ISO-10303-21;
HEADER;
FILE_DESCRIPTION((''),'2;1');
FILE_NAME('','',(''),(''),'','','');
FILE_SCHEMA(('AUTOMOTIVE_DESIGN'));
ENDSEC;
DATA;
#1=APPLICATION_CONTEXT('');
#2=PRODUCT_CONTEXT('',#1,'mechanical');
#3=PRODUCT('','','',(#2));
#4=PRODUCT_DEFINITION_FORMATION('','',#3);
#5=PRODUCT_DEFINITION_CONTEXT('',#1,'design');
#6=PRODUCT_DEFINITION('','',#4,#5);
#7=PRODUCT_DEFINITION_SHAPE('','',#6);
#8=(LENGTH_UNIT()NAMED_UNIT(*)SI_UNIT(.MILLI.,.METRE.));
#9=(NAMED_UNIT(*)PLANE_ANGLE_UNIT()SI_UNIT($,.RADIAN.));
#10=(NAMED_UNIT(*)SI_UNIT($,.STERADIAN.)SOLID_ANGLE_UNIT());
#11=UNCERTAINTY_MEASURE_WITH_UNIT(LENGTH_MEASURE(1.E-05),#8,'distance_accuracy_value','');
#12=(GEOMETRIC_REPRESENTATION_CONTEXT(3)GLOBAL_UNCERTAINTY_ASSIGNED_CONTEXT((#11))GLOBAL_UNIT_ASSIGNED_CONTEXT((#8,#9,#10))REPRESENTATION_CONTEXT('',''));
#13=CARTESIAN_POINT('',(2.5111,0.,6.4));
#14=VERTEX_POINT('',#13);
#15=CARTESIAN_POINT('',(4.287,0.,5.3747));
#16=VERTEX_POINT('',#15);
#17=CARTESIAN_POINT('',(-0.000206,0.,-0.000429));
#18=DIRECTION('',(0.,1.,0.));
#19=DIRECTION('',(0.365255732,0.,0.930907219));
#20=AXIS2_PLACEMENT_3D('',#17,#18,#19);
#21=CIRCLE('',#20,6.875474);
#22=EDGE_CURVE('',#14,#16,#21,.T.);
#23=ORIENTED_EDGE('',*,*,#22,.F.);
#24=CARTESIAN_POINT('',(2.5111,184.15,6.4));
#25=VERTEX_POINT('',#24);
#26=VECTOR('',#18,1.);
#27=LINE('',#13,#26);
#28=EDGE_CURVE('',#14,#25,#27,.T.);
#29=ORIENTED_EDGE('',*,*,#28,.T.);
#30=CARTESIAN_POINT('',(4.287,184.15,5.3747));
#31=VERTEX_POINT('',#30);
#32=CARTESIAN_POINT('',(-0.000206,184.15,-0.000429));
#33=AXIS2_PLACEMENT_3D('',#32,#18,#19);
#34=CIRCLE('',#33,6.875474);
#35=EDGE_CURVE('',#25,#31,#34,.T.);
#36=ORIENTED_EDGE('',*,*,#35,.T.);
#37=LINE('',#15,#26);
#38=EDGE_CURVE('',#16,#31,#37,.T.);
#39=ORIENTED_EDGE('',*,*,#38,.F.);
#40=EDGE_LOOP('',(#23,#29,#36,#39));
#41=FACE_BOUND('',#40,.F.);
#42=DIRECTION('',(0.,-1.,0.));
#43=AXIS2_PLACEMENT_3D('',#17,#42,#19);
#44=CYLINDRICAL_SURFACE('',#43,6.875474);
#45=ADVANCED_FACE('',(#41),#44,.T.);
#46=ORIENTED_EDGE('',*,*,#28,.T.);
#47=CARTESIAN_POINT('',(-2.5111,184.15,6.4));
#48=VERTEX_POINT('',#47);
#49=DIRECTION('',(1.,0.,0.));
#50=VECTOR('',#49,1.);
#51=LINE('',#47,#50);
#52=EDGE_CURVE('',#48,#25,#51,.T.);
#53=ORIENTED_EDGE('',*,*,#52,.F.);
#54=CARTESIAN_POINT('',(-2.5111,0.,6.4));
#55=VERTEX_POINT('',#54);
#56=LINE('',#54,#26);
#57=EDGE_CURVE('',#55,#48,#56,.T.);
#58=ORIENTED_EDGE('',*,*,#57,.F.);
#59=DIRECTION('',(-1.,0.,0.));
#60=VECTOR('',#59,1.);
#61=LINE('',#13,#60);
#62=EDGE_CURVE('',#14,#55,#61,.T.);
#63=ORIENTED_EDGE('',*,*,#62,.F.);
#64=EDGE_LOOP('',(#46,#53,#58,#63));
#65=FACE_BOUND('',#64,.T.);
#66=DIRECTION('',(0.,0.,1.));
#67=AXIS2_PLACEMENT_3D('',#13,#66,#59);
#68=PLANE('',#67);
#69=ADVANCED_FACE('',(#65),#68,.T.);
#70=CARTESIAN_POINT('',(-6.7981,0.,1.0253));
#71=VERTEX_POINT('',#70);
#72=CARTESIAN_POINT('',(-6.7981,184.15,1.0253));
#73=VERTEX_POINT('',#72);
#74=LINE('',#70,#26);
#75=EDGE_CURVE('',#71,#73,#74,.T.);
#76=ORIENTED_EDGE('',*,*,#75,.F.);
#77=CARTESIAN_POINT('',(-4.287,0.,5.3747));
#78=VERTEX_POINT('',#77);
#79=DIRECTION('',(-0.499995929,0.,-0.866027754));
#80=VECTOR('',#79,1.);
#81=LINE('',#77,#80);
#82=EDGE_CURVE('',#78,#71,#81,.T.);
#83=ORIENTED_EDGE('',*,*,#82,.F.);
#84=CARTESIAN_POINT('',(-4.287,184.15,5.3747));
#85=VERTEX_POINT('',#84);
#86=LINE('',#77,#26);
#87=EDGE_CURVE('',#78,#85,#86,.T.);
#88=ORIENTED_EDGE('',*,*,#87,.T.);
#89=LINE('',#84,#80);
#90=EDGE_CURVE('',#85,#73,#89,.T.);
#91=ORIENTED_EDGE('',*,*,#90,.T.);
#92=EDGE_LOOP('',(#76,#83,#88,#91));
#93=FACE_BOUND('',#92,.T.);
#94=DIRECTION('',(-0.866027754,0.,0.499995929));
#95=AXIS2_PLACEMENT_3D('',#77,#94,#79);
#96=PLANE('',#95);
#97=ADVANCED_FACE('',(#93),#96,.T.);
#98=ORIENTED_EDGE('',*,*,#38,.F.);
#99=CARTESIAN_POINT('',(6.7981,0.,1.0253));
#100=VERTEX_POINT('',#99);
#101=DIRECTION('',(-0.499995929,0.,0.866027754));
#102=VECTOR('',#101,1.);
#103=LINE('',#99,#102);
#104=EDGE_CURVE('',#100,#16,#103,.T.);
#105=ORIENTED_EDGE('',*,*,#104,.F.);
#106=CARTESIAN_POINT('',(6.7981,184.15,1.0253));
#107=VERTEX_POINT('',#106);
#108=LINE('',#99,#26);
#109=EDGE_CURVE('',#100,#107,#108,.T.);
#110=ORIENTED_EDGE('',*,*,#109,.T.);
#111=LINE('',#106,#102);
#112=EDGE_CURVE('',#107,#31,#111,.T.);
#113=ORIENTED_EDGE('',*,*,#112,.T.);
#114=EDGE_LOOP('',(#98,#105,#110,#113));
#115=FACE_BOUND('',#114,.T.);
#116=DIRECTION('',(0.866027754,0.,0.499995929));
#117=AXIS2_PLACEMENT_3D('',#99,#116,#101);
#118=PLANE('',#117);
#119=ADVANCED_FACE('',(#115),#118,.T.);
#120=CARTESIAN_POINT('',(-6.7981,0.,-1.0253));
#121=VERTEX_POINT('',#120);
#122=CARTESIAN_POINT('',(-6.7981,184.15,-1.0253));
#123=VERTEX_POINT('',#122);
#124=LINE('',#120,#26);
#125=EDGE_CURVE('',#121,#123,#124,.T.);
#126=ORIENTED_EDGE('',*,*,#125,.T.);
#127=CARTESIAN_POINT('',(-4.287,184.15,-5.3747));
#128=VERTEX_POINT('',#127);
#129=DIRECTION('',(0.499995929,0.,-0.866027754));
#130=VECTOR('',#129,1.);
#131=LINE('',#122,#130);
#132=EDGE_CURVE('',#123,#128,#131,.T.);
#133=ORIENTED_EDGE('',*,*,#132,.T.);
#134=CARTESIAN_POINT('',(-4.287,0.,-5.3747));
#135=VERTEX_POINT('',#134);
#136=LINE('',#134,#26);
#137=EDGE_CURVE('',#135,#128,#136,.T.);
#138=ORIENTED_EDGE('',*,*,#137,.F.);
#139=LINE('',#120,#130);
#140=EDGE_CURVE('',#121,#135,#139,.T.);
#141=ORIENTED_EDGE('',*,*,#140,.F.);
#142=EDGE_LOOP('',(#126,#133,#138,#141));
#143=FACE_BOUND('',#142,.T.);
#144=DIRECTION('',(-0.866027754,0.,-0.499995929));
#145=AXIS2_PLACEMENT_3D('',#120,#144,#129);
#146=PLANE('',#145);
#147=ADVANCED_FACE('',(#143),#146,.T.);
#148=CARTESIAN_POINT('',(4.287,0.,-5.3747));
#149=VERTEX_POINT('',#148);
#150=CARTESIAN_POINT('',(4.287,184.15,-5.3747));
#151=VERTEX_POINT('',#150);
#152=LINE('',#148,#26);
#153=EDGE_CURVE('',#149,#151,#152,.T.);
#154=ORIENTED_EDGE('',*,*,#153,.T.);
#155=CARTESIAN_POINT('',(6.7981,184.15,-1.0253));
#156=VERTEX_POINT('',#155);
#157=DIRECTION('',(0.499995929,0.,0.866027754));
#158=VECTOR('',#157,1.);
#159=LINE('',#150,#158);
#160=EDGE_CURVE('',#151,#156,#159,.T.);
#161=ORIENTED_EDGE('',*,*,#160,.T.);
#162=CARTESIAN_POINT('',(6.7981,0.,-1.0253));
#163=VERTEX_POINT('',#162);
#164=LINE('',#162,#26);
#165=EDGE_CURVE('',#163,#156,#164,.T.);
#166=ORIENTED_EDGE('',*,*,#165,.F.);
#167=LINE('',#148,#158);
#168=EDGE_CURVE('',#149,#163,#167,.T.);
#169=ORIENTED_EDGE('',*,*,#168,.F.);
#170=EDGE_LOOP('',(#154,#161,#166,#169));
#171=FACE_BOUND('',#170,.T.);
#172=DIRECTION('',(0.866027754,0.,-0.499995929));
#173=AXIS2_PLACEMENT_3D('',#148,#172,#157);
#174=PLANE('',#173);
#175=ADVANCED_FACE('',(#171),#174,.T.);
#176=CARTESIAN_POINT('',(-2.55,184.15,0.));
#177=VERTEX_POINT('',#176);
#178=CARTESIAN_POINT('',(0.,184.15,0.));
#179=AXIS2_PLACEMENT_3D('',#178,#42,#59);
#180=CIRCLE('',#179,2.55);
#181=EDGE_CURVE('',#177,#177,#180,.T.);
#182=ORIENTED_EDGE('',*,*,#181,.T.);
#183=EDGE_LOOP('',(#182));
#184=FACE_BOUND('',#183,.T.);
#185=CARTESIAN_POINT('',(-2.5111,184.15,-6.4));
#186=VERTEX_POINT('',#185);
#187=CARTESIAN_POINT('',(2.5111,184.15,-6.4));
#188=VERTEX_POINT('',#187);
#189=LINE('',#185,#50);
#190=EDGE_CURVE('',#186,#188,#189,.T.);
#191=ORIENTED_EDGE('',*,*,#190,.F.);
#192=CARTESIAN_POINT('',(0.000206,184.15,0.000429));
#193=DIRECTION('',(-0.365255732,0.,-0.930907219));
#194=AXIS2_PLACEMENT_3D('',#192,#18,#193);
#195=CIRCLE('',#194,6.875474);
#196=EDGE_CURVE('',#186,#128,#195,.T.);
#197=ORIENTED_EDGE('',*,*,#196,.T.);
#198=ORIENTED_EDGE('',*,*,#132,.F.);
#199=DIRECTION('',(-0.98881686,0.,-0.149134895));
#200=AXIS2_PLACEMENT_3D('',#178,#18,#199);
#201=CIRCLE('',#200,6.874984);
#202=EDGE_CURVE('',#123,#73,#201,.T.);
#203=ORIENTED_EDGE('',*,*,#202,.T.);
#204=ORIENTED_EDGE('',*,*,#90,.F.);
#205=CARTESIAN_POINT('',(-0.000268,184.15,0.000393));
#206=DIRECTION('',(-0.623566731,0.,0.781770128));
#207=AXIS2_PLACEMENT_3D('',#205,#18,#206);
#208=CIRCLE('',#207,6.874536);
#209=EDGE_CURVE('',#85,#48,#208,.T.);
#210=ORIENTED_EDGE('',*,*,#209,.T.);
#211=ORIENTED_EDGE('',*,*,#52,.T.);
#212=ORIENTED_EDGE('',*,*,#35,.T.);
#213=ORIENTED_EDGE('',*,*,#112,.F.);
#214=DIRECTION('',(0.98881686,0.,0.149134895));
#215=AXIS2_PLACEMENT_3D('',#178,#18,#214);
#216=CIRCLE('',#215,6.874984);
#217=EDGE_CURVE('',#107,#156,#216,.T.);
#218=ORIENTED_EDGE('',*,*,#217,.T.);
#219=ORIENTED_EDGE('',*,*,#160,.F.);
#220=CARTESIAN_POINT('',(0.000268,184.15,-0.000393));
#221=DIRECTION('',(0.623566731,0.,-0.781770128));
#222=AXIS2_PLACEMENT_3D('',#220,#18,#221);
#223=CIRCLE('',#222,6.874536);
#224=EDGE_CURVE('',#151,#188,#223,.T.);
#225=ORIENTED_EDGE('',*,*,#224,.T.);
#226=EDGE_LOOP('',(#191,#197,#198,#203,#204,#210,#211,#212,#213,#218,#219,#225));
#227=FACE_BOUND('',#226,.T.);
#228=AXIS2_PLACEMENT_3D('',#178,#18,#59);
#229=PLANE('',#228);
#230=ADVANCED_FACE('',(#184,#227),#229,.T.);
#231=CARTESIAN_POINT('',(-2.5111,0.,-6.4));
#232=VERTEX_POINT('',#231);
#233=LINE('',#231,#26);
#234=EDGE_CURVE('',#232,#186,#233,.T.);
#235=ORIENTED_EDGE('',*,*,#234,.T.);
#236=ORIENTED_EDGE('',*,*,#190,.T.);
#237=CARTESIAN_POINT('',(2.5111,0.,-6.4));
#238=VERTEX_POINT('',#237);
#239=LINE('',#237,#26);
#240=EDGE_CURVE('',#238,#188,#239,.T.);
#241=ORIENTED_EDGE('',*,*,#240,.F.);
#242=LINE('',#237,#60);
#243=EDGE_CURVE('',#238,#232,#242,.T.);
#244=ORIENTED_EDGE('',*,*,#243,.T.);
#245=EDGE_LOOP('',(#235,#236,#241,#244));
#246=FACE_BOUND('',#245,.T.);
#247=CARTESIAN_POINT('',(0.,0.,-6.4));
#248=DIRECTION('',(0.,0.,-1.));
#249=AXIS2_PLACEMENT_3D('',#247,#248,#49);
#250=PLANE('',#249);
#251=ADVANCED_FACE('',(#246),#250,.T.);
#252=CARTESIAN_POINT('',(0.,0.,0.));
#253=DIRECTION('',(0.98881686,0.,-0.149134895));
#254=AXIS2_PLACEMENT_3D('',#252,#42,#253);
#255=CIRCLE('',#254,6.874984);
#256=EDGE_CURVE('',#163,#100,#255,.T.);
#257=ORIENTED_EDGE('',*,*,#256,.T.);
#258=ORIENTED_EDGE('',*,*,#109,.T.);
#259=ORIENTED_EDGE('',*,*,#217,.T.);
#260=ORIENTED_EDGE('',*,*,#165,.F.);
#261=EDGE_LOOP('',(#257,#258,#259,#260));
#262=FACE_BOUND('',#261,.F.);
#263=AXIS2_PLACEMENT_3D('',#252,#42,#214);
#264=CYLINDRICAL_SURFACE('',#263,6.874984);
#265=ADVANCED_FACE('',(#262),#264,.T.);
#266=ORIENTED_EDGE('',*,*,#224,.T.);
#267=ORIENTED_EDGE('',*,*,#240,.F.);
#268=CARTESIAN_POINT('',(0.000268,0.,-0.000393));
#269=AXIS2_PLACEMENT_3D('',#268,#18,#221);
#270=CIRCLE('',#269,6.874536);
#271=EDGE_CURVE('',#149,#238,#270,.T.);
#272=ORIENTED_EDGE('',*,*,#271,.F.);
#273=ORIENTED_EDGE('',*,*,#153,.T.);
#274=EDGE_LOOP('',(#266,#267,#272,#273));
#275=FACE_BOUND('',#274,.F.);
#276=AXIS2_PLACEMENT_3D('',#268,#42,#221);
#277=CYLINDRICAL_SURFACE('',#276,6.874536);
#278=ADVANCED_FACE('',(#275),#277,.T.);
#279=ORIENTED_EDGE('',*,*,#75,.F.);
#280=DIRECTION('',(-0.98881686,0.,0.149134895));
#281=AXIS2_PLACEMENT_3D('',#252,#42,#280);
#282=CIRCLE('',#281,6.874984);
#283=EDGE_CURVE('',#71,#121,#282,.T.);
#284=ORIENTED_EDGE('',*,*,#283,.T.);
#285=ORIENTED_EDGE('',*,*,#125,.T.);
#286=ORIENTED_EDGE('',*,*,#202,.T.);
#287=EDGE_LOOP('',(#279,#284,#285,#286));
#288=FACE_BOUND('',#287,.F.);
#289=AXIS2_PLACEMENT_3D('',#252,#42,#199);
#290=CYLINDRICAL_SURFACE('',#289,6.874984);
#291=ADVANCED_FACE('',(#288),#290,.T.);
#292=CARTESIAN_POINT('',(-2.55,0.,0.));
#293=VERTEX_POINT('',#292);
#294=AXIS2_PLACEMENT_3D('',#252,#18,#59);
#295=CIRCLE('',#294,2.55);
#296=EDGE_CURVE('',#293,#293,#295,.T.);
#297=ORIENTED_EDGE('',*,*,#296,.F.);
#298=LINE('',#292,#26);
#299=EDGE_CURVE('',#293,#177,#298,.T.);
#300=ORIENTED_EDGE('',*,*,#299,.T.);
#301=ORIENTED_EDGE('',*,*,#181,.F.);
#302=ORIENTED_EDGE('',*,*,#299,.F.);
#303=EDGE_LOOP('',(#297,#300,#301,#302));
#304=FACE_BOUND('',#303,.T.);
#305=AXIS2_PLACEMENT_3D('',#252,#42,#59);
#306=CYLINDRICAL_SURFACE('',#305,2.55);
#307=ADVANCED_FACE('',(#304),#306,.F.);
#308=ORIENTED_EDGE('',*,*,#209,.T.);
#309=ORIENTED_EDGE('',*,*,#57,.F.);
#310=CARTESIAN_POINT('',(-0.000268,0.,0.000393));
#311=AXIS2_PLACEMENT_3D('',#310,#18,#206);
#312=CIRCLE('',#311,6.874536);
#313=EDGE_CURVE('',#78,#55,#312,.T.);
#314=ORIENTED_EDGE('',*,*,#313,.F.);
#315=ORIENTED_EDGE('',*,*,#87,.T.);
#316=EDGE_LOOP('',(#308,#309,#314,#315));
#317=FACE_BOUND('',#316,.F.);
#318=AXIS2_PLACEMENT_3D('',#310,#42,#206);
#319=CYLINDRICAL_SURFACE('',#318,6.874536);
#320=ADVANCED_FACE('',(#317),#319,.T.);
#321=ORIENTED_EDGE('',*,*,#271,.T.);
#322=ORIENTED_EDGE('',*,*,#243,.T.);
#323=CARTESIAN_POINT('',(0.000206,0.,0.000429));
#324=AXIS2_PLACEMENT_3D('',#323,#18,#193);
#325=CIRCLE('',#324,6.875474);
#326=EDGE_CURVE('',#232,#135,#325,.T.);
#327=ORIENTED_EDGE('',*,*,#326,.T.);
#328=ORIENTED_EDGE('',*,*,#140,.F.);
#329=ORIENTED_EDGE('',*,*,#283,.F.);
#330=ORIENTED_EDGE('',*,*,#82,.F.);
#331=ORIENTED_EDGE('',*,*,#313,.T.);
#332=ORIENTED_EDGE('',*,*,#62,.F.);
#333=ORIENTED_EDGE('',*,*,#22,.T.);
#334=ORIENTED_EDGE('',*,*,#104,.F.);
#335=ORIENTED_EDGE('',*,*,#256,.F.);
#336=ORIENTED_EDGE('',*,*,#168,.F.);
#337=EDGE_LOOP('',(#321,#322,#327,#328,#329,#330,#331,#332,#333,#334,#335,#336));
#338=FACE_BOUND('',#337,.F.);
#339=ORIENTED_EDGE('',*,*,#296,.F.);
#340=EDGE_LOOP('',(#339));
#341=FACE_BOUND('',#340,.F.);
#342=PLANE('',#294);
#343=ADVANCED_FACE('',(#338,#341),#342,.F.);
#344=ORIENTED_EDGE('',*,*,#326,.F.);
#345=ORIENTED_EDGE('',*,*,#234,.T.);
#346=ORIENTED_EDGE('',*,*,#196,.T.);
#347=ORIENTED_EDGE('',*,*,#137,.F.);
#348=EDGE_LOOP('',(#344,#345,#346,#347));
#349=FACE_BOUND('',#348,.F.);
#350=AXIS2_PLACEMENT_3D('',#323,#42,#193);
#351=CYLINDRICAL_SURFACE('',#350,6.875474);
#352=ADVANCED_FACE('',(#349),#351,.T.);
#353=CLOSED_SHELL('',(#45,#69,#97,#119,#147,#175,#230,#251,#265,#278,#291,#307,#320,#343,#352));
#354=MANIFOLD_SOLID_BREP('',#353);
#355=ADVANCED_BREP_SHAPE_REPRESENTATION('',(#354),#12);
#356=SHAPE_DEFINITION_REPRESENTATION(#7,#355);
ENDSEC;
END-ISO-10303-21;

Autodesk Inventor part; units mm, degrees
ref_plane "YZ Plane" through (0, 0, 0) normal (1, 0, 0) x (0, 1, 0)
ref_plane "XZ Plane" through (0, 0, 0) normal (0, 1, 0) x (-1, 0, 0)
ref_plane "XY Plane" through (0, 0, 0) normal (0, 0, 1) x (1, 0, 0)
sketch "Sketch1" plane through (0, 0, 0) normal (0, 1, 0) x (-1, 0, 0)
  line L0 (0, -9.0532) -> (0, 9.0532) projected
  line L1 (-9.625, 0) -> (9.625, 0) projected
  line L2 (-4.287, -5.3747) -> (-6.7981, -1.0253)
  line L3 (-6.7981, 1.0253) -> (-4.287, 5.3747)
  line L4 (-2.5111, 6.4) -> (2.5111, 6.4)
  line L5 (4.287, 5.3747) -> (6.7981, 1.0253)
  line L6 (6.7981, -1.0253) -> (4.287, -5.3747)
  line L7 (2.5111, -6.4) -> (-2.5111, -6.4)
  circle A0 centre (0, 0) radius 2.55
  arc A1 (2.5111, -6.4) -> (4.287, -5.3747) centre (0, 0) ccw
  arc A2 (-4.287, -5.3747) -> (-2.5111, -6.4) centre (0, 0) ccw
  arc A3 (-6.7981, 1.0253) -> (-6.7981, -1.0253) centre (0, 0) ccw
  arc A4 (-2.5111, 6.4) -> (-4.287, 5.3747) centre (0, 0) ccw
  arc A5 (6.7981, -1.0253) -> (6.7981, 1.0253) centre (0, 0) ccw
  arc A6 (4.287, 5.3747) -> (2.5111, 6.4) centre (0, 0) ccw
  dimension "d0" = 12.8
  dimension "d5" = 5.1
extrude "Extrusion2" add sketch "Sketch1" along normal blind 184.15 contours L7 A2 L2 A3 L1 A0 L0 | L0 A0 L1 A5 L6 A1 L7 | L1 A3 L3 A4 L4 L0 A0 | A0 L0 L4 A6 L5 A5 L1
properties part number "ThunderHex_6.5inch"
